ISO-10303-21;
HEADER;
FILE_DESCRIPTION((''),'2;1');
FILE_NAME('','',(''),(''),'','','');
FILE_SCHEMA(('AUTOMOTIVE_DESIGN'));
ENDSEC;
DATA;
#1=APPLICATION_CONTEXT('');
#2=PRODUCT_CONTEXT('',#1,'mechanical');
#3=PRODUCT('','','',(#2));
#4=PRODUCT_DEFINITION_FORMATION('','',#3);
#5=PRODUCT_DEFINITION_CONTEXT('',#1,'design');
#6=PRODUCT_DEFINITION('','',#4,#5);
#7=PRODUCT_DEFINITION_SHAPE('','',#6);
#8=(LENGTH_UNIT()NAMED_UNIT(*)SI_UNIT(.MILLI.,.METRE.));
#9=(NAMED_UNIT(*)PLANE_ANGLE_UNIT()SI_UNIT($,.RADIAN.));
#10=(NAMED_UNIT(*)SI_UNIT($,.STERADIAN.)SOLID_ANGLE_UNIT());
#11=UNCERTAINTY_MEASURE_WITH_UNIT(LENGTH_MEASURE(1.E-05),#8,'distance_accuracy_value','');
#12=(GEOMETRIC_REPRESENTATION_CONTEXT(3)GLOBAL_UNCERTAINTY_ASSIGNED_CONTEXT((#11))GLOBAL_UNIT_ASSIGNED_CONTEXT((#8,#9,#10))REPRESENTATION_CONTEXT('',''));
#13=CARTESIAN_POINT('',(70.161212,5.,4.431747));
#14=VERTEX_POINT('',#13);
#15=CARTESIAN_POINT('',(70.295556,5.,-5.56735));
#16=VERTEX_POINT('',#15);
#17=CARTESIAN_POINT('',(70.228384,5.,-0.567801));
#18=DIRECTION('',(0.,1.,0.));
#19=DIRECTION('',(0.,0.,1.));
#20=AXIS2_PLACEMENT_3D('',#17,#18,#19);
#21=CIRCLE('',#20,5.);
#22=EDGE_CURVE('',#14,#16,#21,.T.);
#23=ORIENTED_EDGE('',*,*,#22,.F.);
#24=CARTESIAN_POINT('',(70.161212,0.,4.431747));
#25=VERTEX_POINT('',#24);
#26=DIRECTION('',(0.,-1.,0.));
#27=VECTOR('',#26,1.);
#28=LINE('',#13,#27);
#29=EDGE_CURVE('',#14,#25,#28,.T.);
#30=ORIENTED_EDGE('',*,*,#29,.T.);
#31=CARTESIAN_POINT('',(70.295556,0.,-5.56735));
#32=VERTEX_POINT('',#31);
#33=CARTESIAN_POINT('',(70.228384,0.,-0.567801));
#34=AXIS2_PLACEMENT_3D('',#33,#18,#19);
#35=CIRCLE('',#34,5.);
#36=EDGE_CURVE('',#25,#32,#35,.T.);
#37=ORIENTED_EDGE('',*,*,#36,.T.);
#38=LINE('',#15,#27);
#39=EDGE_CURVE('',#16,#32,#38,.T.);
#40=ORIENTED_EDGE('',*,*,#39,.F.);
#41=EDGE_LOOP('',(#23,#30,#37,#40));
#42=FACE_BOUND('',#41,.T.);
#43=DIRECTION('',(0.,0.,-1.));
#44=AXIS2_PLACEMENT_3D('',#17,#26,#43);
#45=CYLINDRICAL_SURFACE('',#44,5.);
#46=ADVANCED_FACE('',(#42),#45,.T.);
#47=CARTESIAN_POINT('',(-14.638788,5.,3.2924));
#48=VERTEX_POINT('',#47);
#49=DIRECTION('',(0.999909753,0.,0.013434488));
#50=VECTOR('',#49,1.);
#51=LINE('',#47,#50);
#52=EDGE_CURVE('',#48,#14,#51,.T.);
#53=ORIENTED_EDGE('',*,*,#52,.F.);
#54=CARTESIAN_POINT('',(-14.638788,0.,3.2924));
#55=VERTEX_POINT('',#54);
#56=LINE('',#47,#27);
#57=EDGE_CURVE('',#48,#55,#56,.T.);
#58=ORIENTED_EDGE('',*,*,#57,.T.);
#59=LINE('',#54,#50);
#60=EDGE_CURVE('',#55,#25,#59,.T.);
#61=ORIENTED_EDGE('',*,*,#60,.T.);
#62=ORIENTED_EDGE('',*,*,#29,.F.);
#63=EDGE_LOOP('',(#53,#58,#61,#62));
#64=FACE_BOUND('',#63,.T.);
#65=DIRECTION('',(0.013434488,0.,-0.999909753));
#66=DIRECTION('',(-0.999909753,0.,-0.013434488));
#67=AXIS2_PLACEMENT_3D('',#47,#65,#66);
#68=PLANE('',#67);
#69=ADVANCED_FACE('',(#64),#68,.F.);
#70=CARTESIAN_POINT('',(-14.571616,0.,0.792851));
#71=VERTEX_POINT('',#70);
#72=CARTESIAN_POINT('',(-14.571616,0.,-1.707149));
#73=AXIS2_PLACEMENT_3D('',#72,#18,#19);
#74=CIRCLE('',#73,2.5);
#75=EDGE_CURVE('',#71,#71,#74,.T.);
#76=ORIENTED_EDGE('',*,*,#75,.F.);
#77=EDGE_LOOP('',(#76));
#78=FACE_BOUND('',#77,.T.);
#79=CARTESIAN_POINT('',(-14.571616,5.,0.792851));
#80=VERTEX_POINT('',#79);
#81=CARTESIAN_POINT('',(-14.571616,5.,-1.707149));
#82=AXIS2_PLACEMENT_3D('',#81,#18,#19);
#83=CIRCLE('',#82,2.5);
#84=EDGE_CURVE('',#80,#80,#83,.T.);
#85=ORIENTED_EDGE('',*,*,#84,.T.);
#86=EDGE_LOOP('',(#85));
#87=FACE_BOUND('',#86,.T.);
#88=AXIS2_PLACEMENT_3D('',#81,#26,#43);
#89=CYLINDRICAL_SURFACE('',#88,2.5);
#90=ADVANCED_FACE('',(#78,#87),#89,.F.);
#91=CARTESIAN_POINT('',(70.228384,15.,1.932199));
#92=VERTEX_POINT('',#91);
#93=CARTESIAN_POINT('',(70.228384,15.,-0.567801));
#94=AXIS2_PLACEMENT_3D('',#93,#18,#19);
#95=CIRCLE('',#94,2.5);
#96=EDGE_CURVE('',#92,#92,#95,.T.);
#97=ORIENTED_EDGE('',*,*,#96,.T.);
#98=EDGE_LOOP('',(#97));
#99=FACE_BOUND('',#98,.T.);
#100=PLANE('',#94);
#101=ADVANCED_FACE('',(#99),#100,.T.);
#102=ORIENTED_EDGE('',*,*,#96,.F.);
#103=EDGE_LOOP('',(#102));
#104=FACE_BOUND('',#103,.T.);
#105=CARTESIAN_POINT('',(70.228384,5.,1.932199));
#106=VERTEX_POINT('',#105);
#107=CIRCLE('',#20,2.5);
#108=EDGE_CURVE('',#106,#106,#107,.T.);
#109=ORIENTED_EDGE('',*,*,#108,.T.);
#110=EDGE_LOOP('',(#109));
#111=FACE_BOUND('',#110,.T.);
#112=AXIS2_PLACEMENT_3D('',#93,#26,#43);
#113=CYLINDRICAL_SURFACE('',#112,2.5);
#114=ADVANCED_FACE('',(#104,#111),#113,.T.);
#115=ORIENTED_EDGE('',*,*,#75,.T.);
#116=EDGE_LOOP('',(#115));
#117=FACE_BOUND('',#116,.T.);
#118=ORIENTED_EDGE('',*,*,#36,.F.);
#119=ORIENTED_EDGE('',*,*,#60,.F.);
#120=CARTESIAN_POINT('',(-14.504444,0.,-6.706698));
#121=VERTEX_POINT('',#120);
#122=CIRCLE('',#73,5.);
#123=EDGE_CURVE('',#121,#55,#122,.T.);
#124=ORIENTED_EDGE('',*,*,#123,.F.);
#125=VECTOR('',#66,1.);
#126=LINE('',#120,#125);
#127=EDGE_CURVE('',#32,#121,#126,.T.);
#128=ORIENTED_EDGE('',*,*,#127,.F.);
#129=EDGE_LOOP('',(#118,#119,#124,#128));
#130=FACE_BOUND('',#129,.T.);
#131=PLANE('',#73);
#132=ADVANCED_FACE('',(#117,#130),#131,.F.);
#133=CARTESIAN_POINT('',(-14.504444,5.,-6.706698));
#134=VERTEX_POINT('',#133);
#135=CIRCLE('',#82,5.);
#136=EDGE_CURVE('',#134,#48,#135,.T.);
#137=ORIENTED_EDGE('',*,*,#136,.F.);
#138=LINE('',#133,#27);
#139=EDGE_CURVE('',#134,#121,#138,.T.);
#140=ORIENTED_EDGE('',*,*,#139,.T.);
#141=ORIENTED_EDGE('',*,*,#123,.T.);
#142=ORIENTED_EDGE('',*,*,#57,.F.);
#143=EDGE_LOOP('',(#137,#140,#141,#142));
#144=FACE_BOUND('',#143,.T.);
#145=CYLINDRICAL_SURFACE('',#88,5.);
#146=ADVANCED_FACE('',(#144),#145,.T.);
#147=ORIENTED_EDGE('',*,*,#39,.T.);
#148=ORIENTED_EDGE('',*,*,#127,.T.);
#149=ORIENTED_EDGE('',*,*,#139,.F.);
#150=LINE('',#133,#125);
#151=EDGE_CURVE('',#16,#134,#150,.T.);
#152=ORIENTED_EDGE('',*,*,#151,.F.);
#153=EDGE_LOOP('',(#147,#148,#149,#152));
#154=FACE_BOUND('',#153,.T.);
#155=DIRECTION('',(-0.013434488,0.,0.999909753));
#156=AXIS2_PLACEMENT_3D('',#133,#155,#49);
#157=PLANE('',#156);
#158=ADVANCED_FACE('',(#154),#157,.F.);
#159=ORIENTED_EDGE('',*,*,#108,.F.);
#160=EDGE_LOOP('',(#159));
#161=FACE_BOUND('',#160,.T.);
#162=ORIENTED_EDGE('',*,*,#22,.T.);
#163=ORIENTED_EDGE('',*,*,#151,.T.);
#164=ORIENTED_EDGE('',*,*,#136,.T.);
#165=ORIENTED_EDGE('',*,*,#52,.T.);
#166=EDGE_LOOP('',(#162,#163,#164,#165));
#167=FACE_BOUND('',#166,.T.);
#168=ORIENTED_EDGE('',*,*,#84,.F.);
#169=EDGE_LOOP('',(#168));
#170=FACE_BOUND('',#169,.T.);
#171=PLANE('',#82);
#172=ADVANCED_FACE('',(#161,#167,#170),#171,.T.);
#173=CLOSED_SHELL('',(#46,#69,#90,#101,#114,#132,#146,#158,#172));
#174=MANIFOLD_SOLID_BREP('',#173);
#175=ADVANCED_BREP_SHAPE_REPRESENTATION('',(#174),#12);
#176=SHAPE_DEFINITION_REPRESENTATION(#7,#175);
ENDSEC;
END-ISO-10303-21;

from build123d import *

# Parameters (mm, degrees)
SKETCH1_R           = 2.5
BOSS_EXTRUDE1_DEPTH = 5
SKETCH2_R           = 2.5
BOSS_EXTRUDE2_DEPTH = 10


with BuildPart() as part:
    # Sketch1 → Boss-Extrude1 (new body)
    with BuildSketch(Plane(origin=(0, 0, 0), x_dir=(1, 0, 0), z_dir=(0, 1, 0))):
        with BuildLine():
            Line((-14.504443595, 6.706697569), (70.295556405, 5.56735016))
            ThreePointArc((70.295556405, 5.56735016), (75.22793273, 0.500628954), (70.161211524, -4.431747372))
            Line((70.161211524, -4.431747372), (-14.638788476, -3.292399963))
            ThreePointArc((-14.638788476, -3.292399963), (-19.571164802, 1.774321243), (-14.504443595, 6.706697569))
        make_face()
        with Locations(Location((-14.571616036, 1.707148803, 0), (0, 0, 270))):
            Circle(SKETCH1_R, mode=Mode.SUBTRACT)
    extrude(amount=BOSS_EXTRUDE1_DEPTH)

    # Sketch2 → Boss-Extrude2 (add)
    with BuildSketch(Plane(origin=(0, 5, 0), x_dir=(1, 0, 0), z_dir=(0, 1, 0))):
        with Locations(Location((70.228383964, 0.567801394, 0), (0, 0, 270))):
            Circle(SKETCH2_R)
    extrude(amount=BOSS_EXTRUDE2_DEPTH)


solid = part.part
